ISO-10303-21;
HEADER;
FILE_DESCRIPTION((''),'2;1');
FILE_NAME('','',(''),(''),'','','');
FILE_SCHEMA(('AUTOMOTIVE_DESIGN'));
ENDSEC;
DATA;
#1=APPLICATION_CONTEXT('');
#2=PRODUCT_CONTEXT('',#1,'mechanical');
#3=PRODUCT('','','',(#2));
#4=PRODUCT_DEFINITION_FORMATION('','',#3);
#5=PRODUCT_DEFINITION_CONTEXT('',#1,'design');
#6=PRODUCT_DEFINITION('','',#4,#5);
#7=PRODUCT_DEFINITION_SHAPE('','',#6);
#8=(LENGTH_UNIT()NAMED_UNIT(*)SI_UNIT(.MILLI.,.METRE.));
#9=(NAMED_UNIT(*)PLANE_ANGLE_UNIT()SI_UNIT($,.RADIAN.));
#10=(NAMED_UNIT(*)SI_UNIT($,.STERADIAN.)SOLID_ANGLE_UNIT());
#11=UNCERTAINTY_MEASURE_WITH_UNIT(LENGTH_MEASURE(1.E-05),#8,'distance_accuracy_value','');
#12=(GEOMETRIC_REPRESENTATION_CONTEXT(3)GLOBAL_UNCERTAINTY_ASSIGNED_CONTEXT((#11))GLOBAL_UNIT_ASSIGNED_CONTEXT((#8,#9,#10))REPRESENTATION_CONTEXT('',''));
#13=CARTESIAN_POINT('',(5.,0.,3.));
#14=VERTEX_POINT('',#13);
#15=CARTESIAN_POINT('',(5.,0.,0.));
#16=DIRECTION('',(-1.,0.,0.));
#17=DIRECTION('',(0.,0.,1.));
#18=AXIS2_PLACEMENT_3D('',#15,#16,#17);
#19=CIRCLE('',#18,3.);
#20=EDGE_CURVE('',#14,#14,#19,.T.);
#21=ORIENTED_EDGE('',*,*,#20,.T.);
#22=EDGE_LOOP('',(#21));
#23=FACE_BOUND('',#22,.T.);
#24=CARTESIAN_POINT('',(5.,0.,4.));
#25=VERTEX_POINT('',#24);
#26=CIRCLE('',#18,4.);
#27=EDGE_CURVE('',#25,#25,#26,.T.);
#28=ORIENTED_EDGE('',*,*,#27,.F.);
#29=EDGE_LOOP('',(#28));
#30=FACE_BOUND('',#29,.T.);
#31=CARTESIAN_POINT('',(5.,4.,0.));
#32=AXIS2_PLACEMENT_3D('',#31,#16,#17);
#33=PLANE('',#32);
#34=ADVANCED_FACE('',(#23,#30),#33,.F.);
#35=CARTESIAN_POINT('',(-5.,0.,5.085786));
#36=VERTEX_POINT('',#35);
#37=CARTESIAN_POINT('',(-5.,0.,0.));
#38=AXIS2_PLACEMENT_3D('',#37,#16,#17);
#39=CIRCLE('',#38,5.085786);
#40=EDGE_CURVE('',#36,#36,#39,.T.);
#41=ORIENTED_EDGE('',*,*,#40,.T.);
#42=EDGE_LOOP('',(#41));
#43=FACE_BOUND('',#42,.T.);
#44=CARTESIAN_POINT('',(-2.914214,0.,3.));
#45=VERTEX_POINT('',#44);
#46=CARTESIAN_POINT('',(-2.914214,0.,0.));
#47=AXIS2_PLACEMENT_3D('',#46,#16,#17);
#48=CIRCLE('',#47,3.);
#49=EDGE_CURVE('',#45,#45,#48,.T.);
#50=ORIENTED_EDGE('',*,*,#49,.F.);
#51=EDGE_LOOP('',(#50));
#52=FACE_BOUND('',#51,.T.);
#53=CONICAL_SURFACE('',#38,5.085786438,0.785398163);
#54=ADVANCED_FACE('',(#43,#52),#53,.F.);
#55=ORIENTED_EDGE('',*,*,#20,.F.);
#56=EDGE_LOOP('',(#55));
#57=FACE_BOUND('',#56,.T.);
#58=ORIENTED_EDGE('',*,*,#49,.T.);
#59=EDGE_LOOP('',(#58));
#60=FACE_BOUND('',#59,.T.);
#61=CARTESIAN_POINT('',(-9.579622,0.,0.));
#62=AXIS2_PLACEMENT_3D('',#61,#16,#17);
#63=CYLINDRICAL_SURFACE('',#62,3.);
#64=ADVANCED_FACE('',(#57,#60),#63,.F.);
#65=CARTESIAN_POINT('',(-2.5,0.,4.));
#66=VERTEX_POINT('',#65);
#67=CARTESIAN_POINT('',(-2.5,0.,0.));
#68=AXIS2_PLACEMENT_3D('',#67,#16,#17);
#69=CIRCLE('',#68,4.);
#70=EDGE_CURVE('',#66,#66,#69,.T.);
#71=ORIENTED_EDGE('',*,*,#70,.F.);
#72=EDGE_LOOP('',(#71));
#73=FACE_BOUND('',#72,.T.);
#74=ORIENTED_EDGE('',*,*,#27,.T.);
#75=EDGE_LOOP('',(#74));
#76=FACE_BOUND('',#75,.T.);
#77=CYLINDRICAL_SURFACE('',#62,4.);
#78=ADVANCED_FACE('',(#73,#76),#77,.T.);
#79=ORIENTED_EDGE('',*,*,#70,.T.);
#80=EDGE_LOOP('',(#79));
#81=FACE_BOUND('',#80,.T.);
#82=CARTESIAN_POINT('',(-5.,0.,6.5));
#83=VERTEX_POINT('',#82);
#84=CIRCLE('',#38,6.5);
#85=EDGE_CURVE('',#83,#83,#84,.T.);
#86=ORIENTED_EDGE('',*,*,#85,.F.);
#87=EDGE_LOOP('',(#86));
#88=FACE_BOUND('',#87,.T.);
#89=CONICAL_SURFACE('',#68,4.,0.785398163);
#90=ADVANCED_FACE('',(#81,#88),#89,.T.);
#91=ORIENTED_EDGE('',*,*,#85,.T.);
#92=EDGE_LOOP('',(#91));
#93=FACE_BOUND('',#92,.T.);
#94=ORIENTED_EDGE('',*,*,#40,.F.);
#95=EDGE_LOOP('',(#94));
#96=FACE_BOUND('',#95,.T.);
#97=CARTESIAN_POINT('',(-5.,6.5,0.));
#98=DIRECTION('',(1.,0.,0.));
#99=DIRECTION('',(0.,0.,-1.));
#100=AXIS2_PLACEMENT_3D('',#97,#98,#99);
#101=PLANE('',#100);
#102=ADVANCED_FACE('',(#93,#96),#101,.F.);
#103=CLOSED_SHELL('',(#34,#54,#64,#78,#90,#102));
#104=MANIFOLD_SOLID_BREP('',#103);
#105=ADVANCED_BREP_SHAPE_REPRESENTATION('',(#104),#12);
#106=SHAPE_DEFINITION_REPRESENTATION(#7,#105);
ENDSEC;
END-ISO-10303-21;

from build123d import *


with BuildPart() as part:
    # Sketch1 → Revolve1 (revolve)
    with BuildSketch(Plane.XY):
        Polygon((5, 4), (-2.5, 4), (-5, 6.5), (-5, 5.085786438), (-2.914213562, 3), (5, 3), align=None)
    revolve(axis=Axis((-9.579622459, 0, 0), (1, 0, 0)))


solid = part.part
